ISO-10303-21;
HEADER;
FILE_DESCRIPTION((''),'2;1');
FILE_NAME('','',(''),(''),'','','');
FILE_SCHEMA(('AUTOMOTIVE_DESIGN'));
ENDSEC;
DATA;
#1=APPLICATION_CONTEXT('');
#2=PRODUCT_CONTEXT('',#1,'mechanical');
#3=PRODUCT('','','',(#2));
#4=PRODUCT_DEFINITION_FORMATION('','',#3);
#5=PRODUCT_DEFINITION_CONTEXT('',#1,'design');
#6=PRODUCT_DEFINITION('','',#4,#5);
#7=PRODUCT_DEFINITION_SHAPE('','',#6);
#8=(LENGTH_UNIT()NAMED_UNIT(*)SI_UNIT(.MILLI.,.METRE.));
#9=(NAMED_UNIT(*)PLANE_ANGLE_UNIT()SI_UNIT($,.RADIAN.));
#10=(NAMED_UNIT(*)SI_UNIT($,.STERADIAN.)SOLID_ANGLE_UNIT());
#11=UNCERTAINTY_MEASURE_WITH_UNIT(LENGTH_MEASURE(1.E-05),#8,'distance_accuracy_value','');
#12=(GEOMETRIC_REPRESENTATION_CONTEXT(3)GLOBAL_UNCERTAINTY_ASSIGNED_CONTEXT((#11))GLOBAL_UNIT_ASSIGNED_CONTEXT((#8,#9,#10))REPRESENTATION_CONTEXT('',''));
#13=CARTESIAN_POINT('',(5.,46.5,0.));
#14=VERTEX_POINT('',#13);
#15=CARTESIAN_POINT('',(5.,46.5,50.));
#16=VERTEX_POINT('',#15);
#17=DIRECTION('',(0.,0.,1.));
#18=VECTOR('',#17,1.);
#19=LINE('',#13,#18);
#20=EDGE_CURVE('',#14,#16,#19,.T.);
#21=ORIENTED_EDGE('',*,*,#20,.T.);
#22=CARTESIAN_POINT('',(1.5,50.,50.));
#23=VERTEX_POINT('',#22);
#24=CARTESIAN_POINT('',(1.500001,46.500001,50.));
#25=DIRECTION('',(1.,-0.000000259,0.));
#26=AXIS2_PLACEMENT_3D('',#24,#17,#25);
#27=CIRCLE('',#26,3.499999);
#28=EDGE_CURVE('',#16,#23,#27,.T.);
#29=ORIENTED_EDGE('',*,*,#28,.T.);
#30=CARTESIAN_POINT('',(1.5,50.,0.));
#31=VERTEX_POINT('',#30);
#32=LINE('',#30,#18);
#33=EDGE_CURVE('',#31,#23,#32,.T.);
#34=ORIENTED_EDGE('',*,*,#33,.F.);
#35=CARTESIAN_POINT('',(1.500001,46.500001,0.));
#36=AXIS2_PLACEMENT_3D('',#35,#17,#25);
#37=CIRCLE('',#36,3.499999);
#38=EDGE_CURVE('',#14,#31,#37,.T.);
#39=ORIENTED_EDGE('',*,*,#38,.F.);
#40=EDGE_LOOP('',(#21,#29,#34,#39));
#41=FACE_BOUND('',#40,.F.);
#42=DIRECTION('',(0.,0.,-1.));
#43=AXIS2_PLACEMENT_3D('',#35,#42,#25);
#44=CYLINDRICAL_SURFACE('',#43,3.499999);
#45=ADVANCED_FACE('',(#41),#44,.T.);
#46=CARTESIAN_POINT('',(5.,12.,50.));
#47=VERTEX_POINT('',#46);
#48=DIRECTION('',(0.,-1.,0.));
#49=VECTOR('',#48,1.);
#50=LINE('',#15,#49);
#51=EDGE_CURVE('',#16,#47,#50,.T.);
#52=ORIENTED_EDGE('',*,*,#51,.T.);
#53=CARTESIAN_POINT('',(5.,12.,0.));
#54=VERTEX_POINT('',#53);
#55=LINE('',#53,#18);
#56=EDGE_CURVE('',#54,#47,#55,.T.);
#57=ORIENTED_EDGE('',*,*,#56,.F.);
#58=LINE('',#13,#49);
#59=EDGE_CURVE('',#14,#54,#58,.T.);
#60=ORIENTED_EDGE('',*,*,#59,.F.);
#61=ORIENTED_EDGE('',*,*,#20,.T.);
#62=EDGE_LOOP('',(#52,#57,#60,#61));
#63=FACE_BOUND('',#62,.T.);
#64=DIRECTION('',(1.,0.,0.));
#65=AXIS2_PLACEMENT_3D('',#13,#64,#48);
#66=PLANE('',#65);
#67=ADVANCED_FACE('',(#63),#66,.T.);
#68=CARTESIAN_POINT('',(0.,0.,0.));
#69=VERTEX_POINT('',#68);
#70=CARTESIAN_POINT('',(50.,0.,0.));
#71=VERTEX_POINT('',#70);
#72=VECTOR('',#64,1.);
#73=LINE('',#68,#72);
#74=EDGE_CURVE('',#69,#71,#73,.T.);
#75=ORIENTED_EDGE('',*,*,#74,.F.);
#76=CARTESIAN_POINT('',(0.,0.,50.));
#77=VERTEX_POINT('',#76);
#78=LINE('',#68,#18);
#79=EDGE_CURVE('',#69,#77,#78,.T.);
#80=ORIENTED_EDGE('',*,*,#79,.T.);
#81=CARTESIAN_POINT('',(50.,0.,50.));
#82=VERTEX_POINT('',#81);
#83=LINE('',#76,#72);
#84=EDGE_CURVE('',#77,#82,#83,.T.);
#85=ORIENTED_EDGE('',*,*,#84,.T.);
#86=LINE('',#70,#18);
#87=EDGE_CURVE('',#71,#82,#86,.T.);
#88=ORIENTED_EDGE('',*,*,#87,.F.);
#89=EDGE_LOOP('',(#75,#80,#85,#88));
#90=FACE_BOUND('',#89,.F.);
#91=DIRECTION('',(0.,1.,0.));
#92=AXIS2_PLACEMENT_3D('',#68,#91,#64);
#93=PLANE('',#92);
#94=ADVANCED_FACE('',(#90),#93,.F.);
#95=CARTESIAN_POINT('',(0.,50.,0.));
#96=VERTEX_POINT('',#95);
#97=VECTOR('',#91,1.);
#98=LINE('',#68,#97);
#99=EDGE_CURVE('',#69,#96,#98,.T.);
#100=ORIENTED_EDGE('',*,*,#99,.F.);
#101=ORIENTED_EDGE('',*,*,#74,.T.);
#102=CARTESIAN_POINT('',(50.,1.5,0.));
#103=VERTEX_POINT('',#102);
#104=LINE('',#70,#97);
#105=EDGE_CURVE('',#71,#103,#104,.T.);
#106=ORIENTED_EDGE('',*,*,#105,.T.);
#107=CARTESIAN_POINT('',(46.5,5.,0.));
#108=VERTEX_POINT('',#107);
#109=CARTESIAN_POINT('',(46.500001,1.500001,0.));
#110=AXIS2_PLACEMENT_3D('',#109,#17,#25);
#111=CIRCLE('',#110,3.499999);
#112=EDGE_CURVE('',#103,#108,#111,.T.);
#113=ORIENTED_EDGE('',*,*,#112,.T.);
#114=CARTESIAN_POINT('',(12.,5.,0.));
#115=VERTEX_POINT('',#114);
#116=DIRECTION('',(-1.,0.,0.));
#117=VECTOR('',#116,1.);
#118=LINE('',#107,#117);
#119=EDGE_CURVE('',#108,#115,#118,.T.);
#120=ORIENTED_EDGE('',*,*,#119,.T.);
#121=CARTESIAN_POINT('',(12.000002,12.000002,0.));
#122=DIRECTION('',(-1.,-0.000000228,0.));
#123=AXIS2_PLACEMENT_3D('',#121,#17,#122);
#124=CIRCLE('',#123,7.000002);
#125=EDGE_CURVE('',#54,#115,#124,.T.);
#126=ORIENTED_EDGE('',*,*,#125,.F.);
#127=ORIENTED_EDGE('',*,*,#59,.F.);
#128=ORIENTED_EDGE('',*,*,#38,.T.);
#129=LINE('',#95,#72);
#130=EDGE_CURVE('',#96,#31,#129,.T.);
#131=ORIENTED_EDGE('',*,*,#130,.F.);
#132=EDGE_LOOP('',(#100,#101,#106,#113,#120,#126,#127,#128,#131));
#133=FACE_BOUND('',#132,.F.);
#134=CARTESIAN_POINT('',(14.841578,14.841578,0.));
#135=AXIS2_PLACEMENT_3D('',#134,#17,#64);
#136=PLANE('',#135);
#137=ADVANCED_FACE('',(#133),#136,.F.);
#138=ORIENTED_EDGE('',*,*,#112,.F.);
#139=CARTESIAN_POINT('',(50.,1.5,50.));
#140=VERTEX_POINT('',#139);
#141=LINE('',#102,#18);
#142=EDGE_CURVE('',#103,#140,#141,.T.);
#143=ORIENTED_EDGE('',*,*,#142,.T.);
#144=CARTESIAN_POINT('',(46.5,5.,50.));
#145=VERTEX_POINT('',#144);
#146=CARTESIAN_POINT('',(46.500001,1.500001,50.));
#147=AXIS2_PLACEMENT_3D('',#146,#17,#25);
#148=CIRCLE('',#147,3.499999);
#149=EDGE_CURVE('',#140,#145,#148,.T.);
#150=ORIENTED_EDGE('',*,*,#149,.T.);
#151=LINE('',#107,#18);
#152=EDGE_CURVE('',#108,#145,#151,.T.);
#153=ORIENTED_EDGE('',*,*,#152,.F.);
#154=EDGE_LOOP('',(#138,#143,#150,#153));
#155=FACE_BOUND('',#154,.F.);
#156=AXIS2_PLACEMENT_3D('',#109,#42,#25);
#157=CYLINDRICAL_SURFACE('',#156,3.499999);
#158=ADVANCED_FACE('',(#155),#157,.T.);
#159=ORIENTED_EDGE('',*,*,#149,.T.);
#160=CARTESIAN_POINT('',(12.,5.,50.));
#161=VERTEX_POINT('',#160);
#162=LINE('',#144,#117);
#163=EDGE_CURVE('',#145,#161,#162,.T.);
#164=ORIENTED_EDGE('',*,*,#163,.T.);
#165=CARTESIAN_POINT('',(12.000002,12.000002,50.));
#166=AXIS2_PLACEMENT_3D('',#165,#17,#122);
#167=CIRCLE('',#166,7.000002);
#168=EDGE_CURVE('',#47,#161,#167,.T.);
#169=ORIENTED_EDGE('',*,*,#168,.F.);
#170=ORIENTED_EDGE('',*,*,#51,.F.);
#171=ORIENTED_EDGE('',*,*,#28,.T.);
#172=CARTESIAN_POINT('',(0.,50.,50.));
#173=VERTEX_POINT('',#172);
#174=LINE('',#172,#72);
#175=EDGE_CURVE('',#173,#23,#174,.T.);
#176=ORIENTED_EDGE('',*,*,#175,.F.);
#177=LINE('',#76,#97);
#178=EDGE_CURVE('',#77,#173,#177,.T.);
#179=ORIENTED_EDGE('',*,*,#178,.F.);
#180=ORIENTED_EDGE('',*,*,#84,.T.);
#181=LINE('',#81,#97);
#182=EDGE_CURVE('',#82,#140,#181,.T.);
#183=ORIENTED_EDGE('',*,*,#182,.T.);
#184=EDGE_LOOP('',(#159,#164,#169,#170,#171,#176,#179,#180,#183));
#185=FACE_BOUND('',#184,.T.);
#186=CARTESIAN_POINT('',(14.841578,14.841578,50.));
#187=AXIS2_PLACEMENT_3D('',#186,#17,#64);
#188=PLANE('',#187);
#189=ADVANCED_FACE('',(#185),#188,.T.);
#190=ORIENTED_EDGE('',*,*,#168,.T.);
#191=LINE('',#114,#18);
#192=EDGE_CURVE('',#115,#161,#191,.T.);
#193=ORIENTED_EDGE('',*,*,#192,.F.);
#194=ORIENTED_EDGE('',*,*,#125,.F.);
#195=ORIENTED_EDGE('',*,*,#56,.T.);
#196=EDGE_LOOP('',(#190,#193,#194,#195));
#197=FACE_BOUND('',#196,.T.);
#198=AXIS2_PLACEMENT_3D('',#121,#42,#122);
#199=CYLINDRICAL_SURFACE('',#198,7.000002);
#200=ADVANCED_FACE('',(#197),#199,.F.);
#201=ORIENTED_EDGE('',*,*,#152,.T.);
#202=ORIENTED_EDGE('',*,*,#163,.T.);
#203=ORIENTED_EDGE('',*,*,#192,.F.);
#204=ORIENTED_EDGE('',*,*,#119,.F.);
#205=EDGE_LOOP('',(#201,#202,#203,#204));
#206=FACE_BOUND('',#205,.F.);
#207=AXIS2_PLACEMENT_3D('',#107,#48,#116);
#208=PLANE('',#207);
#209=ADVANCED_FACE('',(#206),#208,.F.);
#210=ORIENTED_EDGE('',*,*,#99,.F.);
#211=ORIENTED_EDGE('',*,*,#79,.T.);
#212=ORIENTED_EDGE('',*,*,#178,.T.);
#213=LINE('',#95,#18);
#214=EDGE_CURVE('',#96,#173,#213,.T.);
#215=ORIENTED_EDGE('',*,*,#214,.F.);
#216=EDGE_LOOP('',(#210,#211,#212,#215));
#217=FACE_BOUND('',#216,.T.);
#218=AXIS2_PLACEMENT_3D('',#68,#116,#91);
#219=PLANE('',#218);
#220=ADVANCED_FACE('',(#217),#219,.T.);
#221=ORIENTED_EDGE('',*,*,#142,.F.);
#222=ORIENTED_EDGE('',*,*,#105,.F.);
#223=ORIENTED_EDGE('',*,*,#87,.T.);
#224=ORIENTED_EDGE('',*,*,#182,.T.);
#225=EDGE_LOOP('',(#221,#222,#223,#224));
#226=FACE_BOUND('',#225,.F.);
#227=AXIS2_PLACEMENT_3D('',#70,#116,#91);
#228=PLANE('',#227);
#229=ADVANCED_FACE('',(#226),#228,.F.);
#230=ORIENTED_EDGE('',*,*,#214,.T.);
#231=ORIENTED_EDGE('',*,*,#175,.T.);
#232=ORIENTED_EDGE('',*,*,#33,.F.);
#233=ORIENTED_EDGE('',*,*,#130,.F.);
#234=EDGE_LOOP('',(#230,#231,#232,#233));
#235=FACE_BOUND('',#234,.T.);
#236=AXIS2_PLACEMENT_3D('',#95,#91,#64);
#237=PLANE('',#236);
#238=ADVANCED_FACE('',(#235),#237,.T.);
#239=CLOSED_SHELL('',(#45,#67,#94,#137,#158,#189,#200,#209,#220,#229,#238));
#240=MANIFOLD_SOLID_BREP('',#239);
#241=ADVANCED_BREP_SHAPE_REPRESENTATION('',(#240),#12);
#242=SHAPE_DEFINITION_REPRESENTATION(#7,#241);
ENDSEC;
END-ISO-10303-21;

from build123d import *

# Parameters (mm, degrees)
EXTRUDE_DEPTH = 50


with BuildPart() as part:
    # Sketch → Extrude (new body)
    with BuildSketch(Plane.XY):
        with BuildLine():
            Line((0, 0), (50, 0))
            Line((50, 0), (50, 1.5))
            ThreePointArc((50, 1.5), (48.974874, 3.974874), (46.5, 5))
            Line((46.5, 5), (12, 5))
            ThreePointArc((5, 12), (7.050253, 7.050253), (12, 5))
            Line((5, 46.5), (5, 12))
            ThreePointArc((5, 46.5), (3.974874, 48.974874), (1.5, 50))
            Line((0, 50), (1.5, 50))
            Line((0, 0), (0, 50))
        make_face()
    extrude(amount=EXTRUDE_DEPTH)


solid = part.part
